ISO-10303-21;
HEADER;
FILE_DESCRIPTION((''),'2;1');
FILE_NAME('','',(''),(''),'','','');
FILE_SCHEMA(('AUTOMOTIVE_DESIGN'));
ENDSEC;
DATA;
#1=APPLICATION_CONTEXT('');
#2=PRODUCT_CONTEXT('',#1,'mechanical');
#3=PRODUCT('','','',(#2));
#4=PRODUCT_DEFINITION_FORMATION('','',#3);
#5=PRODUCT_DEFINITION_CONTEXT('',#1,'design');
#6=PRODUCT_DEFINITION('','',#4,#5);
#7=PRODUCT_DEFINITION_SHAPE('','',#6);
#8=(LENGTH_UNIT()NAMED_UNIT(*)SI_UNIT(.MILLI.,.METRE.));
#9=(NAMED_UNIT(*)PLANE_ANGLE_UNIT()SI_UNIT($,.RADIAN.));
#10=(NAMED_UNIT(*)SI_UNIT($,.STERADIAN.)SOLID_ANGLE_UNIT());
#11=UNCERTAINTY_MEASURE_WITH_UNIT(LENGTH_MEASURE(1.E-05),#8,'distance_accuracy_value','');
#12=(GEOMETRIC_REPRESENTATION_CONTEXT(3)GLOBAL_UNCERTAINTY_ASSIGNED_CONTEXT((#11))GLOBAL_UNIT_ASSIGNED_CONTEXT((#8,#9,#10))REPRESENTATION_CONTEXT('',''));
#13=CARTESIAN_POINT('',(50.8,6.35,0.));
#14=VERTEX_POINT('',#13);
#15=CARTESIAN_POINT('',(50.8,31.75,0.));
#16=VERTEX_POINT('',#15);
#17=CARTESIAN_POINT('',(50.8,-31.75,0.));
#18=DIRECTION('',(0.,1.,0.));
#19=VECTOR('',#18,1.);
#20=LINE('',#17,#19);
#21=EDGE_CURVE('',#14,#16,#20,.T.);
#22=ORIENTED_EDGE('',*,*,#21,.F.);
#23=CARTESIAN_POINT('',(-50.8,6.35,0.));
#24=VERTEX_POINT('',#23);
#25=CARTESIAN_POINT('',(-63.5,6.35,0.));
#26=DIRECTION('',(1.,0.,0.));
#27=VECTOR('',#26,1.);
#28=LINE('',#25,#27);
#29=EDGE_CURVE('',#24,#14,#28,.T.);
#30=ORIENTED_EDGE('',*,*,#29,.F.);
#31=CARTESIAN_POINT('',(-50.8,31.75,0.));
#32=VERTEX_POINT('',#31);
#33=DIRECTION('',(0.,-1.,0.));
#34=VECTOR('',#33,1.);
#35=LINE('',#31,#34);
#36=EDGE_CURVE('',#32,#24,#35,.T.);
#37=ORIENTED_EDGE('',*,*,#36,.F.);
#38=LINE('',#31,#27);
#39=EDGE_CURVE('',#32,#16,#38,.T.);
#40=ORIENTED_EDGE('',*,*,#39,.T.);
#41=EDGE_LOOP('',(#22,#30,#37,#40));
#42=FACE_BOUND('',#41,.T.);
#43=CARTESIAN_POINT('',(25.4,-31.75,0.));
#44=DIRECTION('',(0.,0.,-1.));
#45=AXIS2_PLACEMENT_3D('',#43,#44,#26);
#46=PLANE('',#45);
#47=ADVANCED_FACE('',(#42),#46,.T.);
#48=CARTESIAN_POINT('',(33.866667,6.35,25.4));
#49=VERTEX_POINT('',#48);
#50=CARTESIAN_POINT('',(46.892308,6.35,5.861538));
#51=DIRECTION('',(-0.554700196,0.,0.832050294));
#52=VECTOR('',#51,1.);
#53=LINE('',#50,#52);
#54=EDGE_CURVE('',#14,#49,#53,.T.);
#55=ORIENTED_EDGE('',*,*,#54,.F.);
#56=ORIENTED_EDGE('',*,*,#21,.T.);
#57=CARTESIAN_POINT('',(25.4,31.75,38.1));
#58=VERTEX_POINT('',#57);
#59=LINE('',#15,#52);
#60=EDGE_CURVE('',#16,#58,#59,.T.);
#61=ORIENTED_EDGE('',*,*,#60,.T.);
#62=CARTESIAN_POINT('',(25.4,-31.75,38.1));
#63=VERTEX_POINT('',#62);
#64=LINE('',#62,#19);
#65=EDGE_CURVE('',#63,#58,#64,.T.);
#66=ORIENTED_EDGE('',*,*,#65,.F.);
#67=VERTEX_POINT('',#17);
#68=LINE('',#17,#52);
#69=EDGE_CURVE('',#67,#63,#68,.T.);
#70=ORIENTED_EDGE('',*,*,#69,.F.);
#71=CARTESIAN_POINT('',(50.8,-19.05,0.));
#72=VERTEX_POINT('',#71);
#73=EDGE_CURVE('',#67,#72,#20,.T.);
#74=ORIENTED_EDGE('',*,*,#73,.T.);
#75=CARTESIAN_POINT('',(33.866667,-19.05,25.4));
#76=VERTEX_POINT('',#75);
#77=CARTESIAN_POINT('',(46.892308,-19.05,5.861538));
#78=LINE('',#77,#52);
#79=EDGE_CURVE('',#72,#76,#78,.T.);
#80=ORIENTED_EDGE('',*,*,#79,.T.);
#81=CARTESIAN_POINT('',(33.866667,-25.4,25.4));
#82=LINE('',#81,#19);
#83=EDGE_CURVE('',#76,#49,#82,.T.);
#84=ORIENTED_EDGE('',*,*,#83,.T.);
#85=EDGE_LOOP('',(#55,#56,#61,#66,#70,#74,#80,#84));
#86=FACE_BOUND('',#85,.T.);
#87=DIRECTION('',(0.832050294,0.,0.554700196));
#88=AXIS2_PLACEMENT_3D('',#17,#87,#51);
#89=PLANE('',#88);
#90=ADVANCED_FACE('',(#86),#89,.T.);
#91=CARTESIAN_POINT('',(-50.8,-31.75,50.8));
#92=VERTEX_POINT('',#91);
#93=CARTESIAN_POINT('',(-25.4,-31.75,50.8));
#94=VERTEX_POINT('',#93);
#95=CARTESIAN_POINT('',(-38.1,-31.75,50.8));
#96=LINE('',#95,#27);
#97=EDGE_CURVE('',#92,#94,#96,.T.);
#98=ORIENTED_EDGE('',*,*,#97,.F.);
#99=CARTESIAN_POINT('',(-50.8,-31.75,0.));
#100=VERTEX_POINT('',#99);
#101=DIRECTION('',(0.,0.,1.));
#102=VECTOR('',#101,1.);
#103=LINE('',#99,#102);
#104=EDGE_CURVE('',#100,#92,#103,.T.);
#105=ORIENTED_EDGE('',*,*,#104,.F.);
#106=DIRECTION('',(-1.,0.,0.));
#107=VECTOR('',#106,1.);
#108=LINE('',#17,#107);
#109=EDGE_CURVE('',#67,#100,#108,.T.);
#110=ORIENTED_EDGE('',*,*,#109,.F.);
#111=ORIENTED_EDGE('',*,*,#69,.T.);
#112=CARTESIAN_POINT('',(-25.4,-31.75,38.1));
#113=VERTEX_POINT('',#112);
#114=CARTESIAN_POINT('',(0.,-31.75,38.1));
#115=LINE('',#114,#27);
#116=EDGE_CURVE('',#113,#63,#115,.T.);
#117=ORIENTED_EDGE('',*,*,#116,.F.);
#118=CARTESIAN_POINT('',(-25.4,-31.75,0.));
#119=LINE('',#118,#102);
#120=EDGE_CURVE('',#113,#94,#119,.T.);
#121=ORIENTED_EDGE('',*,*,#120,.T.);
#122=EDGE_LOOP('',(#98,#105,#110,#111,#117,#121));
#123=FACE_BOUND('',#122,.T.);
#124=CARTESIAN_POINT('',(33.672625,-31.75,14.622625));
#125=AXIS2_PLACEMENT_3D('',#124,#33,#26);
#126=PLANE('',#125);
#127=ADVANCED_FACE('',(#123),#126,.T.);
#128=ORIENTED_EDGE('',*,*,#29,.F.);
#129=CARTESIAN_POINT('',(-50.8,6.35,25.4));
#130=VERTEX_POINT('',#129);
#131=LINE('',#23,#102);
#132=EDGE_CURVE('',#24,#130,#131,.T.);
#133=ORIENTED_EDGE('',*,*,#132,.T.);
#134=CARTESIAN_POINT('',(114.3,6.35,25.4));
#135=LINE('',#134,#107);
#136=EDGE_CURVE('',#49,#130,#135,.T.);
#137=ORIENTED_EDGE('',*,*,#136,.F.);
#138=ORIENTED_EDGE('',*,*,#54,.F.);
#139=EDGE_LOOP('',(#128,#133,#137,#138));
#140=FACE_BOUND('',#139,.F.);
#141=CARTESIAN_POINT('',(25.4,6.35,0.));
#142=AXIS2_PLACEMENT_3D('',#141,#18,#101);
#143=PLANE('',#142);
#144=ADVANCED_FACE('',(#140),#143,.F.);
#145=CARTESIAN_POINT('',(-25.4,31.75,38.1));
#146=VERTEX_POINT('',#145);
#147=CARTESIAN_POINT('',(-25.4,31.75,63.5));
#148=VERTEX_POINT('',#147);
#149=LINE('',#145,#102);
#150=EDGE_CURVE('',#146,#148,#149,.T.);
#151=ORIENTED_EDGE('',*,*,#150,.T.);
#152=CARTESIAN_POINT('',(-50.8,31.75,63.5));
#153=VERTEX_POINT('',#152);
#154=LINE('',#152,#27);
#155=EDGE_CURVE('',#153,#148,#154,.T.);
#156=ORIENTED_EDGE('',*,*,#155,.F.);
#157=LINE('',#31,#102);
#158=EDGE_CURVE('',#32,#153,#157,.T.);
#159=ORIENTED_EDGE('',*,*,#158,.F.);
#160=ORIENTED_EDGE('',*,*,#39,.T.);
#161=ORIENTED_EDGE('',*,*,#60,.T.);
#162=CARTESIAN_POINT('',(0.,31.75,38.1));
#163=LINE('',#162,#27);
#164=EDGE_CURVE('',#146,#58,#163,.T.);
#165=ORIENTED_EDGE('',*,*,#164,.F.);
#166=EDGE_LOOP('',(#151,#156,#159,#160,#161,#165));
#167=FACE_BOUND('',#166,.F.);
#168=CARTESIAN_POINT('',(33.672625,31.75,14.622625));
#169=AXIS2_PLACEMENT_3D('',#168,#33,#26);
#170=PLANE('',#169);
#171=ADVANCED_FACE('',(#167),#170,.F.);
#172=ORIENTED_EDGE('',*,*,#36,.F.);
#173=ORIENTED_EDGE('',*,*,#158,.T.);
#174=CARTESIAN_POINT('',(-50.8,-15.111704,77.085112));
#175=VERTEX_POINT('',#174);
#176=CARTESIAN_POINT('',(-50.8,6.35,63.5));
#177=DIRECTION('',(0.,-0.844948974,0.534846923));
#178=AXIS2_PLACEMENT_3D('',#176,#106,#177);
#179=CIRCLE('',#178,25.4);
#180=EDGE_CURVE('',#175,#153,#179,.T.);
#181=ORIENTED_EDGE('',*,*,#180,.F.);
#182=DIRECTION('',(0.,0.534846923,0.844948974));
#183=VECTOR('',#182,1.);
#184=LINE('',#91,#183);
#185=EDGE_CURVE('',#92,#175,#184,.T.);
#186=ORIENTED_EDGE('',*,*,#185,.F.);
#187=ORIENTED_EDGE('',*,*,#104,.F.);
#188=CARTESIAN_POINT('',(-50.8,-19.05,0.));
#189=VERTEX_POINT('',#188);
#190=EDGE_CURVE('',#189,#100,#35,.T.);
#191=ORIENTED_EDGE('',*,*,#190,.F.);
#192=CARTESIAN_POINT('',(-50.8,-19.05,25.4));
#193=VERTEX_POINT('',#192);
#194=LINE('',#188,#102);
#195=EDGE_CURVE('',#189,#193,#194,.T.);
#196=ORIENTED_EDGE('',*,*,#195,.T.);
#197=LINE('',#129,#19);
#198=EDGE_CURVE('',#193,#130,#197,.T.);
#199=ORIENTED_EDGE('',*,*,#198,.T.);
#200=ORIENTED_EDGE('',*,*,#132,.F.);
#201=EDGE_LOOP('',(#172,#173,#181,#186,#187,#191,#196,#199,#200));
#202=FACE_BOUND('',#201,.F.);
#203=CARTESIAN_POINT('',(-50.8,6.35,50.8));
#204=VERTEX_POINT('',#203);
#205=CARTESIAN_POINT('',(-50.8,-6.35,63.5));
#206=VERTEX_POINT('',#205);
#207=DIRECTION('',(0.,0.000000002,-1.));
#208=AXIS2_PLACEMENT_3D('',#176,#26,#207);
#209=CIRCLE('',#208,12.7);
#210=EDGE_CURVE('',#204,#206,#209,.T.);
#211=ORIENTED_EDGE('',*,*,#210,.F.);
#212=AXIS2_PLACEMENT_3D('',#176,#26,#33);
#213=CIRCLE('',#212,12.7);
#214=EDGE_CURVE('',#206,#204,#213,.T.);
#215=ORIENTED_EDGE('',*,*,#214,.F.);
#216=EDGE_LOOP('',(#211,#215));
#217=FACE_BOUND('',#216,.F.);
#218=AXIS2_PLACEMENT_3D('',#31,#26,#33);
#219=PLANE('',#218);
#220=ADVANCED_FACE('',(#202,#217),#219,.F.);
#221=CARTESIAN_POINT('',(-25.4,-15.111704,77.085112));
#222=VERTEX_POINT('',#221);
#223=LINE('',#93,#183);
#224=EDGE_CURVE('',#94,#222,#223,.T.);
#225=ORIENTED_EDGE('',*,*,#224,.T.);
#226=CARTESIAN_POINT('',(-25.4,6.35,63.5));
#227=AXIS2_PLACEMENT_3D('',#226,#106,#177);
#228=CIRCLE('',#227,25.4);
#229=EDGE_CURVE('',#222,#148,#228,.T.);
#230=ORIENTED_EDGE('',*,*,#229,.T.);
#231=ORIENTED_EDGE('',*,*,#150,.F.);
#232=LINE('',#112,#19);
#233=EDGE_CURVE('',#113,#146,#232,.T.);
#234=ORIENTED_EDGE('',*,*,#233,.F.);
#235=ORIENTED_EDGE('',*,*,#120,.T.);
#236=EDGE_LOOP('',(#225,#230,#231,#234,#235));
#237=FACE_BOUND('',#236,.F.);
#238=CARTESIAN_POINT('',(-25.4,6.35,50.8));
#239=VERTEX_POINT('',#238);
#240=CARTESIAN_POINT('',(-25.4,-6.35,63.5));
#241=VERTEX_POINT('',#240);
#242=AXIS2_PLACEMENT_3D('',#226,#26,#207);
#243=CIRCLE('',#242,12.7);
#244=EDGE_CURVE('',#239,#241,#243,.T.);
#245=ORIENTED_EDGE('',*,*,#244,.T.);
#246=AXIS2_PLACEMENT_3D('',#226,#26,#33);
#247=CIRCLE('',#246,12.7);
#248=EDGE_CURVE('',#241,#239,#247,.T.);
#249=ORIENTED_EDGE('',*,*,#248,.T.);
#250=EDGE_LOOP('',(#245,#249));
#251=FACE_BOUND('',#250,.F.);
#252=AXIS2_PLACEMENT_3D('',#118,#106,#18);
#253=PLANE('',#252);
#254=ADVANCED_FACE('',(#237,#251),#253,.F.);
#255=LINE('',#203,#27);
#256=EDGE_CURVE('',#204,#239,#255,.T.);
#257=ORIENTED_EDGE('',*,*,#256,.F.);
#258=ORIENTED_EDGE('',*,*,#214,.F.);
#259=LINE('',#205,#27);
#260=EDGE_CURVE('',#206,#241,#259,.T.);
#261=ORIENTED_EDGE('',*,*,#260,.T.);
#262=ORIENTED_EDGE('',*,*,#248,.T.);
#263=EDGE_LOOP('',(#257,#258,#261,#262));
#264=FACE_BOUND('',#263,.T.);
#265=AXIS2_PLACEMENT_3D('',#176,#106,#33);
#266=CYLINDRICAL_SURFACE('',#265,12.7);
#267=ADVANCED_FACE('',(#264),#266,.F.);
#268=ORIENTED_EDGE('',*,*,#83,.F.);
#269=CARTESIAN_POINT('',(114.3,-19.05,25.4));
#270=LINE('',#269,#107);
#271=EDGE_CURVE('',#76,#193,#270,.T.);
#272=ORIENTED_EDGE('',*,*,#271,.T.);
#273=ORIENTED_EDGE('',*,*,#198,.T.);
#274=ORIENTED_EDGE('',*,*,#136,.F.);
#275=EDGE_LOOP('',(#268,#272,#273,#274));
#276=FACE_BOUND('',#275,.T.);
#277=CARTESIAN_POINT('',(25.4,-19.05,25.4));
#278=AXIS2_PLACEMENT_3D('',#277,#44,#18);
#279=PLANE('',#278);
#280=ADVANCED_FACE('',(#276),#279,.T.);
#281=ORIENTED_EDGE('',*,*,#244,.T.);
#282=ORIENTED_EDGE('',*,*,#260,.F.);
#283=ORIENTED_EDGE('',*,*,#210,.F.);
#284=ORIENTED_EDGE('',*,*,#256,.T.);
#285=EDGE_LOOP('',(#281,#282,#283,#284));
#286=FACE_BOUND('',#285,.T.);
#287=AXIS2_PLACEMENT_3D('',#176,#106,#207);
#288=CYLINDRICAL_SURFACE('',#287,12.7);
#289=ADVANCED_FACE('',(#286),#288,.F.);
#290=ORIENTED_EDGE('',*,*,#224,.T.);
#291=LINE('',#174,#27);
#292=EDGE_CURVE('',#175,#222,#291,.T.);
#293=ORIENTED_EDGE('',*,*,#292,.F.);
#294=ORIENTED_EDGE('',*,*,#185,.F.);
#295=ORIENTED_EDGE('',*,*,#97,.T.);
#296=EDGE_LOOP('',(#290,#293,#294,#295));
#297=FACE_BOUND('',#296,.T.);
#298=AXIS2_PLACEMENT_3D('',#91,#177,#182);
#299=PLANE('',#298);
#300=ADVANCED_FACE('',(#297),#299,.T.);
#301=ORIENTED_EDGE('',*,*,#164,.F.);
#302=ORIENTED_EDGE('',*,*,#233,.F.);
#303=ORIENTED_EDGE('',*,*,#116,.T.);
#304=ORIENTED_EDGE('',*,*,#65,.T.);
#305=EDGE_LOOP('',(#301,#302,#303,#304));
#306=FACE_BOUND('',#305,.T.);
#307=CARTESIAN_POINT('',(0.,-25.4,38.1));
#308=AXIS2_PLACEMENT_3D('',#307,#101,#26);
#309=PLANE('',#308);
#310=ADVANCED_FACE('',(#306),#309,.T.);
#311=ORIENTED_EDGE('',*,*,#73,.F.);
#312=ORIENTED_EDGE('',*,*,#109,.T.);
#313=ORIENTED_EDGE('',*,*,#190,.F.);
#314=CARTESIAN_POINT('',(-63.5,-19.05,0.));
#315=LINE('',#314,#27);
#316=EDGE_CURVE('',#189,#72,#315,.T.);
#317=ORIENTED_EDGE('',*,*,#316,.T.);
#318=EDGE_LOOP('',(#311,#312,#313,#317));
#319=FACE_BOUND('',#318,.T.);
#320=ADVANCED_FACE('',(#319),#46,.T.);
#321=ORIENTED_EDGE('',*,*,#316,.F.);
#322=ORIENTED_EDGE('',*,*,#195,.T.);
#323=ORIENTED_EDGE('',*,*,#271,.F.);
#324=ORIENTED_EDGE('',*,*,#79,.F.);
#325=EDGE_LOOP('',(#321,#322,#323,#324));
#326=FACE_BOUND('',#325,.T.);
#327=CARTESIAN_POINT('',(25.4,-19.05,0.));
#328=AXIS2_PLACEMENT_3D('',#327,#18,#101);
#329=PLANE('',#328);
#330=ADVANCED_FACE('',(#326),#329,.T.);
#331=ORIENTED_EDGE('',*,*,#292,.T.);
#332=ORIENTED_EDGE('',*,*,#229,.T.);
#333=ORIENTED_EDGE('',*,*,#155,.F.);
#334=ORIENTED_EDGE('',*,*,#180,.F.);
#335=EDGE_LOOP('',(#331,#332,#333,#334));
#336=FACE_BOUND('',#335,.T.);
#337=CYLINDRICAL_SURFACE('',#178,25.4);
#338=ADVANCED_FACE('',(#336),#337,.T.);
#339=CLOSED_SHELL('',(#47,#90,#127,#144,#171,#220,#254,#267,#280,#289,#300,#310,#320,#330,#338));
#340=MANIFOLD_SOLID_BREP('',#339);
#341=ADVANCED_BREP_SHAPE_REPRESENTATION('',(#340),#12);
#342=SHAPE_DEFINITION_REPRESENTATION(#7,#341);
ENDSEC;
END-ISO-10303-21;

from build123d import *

# Parameters (mm, degrees)
F0_W     = 50.8
F0_H     = 12.7
F0_H_2   = 25.4
F1_DEPTH = 38.1
F0_W_2   = 25.4
F2_DEPTH = 50.8
F5_DEPTH = 63.5
F4_W     = 25.4
F4_H     = 25.4
F6_DEPTH = 88.9
F8_DEPTH = 25.4


with BuildPart() as f1:
    # F0 (on Top) → F1 (new body)
    with BuildSketch(Plane.XY):
        with Locations((0, -25.4)):
            Rectangle(F0_W, F0_H)
        with Locations((0, -6.35)):
            Rectangle(F0_W, F0_H_2)
        with Locations((0, 19.05)):
            Rectangle(F0_W, F0_H_2)
    extrude(amount=F1_DEPTH)

    # F0 (on Top) → F2 (join)
    with BuildSketch(Plane.XY):
        with Locations((-38.1, 19.05)):
            Rectangle(F0_W_2, F0_H_2)
        with Locations((-38.1, -6.35)):
            Rectangle(F0_W_2, F0_H_2)
        with Locations((-38.1, -25.4)):
            Rectangle(F0_W_2, F0_H)
    extrude(amount=F2_DEPTH)

    # F3 (on face) → F5 (join)
    with BuildSketch(Plane.XZ.offset(31.75)):
        Polygon((50.8, 0), (25.4, 38.1), (25.4, 0), align=None)
    extrude(amount=-F5_DEPTH)

    # F4 (on face) → F6 (cut, symmetric)
    with BuildSketch(Plane.YZ.offset(25.4)):
        with Locations((-6.35, 12.7)):
            Rectangle(F4_W, F4_H)
    extrude(amount=F6_DEPTH, both=True, mode=Mode.SUBTRACT)

    # F7 (on face) → F8 (join)
    with BuildSketch(Plane(origin=(-50.8, 0, 0), x_dir=(0, -1, 0), z_dir=(-1, 0, 0))):
        with BuildLine():
            Line((15.6470452561, 50.8), (19.05, 50.8))
            Line((19.05, 50.8), (31.75, 50.8))
            Line((31.75, 50.8), (15.1117039467, 77.08511184))
            ThreePointArc((15.1117039467, 77.08511184), (18.0455659931, 70.5722245353), (19.05, 63.5))
            ThreePointArc((19.05, 63.5), (18.1845159877, 56.9259962544), (15.6470452561, 50.8))
        make_face()
        with BuildLine():
            Line((-6.3500000221, 50.8), (15.6470452561, 50.8))
            ThreePointArc((15.6470452561, 50.8), (18.1845159877, 56.9259962544), (19.05, 63.5))
            ThreePointArc((19.05, 63.5), (18.0455659931, 70.5722245353), (15.1117039467, 77.08511184))
            ThreePointArc((15.1117039467, 77.08511184), (-13.4222245353, 87.8955659931), (-31.75, 63.5))
            ThreePointArc((-31.75, 63.5), (-30.8845159877, 56.9259962544), (-28.3470452561, 50.8))
            Line((-28.3470452561, 50.8), (-6.3500000221, 50.8))
        make_face()
        with BuildLine():
            ThreePointArc((6.35, 63.5), (2.6302561133, 54.5197438711), (-6.3500000221, 50.8))
            ThreePointArc((-6.3500000221, 50.8), (-15.3302561133, 72.4802561289), (6.35, 63.5))
        make_face(mode=Mode.SUBTRACT)
        with BuildLine():
            ThreePointArc((-28.3470452561, 50.8), (-6.35, 38.1), (15.6470452561, 50.8))
            Line((15.6470452561, 50.8), (-6.3500000221, 50.8))
            Line((-6.3500000221, 50.8), (-28.3470452561, 50.8))
        make_face()
        with BuildLine():
            Line((-31.75, 50.8), (-28.3470452561, 50.8))
            ThreePointArc((-28.3470452561, 50.8), (-30.8845159877, 56.9259962544), (-31.75, 63.5))
            Line((-31.75, 63.5), (-31.75, 50.8))
        make_face()
    extrude(amount=-F8_DEPTH)


solid = f1.part
